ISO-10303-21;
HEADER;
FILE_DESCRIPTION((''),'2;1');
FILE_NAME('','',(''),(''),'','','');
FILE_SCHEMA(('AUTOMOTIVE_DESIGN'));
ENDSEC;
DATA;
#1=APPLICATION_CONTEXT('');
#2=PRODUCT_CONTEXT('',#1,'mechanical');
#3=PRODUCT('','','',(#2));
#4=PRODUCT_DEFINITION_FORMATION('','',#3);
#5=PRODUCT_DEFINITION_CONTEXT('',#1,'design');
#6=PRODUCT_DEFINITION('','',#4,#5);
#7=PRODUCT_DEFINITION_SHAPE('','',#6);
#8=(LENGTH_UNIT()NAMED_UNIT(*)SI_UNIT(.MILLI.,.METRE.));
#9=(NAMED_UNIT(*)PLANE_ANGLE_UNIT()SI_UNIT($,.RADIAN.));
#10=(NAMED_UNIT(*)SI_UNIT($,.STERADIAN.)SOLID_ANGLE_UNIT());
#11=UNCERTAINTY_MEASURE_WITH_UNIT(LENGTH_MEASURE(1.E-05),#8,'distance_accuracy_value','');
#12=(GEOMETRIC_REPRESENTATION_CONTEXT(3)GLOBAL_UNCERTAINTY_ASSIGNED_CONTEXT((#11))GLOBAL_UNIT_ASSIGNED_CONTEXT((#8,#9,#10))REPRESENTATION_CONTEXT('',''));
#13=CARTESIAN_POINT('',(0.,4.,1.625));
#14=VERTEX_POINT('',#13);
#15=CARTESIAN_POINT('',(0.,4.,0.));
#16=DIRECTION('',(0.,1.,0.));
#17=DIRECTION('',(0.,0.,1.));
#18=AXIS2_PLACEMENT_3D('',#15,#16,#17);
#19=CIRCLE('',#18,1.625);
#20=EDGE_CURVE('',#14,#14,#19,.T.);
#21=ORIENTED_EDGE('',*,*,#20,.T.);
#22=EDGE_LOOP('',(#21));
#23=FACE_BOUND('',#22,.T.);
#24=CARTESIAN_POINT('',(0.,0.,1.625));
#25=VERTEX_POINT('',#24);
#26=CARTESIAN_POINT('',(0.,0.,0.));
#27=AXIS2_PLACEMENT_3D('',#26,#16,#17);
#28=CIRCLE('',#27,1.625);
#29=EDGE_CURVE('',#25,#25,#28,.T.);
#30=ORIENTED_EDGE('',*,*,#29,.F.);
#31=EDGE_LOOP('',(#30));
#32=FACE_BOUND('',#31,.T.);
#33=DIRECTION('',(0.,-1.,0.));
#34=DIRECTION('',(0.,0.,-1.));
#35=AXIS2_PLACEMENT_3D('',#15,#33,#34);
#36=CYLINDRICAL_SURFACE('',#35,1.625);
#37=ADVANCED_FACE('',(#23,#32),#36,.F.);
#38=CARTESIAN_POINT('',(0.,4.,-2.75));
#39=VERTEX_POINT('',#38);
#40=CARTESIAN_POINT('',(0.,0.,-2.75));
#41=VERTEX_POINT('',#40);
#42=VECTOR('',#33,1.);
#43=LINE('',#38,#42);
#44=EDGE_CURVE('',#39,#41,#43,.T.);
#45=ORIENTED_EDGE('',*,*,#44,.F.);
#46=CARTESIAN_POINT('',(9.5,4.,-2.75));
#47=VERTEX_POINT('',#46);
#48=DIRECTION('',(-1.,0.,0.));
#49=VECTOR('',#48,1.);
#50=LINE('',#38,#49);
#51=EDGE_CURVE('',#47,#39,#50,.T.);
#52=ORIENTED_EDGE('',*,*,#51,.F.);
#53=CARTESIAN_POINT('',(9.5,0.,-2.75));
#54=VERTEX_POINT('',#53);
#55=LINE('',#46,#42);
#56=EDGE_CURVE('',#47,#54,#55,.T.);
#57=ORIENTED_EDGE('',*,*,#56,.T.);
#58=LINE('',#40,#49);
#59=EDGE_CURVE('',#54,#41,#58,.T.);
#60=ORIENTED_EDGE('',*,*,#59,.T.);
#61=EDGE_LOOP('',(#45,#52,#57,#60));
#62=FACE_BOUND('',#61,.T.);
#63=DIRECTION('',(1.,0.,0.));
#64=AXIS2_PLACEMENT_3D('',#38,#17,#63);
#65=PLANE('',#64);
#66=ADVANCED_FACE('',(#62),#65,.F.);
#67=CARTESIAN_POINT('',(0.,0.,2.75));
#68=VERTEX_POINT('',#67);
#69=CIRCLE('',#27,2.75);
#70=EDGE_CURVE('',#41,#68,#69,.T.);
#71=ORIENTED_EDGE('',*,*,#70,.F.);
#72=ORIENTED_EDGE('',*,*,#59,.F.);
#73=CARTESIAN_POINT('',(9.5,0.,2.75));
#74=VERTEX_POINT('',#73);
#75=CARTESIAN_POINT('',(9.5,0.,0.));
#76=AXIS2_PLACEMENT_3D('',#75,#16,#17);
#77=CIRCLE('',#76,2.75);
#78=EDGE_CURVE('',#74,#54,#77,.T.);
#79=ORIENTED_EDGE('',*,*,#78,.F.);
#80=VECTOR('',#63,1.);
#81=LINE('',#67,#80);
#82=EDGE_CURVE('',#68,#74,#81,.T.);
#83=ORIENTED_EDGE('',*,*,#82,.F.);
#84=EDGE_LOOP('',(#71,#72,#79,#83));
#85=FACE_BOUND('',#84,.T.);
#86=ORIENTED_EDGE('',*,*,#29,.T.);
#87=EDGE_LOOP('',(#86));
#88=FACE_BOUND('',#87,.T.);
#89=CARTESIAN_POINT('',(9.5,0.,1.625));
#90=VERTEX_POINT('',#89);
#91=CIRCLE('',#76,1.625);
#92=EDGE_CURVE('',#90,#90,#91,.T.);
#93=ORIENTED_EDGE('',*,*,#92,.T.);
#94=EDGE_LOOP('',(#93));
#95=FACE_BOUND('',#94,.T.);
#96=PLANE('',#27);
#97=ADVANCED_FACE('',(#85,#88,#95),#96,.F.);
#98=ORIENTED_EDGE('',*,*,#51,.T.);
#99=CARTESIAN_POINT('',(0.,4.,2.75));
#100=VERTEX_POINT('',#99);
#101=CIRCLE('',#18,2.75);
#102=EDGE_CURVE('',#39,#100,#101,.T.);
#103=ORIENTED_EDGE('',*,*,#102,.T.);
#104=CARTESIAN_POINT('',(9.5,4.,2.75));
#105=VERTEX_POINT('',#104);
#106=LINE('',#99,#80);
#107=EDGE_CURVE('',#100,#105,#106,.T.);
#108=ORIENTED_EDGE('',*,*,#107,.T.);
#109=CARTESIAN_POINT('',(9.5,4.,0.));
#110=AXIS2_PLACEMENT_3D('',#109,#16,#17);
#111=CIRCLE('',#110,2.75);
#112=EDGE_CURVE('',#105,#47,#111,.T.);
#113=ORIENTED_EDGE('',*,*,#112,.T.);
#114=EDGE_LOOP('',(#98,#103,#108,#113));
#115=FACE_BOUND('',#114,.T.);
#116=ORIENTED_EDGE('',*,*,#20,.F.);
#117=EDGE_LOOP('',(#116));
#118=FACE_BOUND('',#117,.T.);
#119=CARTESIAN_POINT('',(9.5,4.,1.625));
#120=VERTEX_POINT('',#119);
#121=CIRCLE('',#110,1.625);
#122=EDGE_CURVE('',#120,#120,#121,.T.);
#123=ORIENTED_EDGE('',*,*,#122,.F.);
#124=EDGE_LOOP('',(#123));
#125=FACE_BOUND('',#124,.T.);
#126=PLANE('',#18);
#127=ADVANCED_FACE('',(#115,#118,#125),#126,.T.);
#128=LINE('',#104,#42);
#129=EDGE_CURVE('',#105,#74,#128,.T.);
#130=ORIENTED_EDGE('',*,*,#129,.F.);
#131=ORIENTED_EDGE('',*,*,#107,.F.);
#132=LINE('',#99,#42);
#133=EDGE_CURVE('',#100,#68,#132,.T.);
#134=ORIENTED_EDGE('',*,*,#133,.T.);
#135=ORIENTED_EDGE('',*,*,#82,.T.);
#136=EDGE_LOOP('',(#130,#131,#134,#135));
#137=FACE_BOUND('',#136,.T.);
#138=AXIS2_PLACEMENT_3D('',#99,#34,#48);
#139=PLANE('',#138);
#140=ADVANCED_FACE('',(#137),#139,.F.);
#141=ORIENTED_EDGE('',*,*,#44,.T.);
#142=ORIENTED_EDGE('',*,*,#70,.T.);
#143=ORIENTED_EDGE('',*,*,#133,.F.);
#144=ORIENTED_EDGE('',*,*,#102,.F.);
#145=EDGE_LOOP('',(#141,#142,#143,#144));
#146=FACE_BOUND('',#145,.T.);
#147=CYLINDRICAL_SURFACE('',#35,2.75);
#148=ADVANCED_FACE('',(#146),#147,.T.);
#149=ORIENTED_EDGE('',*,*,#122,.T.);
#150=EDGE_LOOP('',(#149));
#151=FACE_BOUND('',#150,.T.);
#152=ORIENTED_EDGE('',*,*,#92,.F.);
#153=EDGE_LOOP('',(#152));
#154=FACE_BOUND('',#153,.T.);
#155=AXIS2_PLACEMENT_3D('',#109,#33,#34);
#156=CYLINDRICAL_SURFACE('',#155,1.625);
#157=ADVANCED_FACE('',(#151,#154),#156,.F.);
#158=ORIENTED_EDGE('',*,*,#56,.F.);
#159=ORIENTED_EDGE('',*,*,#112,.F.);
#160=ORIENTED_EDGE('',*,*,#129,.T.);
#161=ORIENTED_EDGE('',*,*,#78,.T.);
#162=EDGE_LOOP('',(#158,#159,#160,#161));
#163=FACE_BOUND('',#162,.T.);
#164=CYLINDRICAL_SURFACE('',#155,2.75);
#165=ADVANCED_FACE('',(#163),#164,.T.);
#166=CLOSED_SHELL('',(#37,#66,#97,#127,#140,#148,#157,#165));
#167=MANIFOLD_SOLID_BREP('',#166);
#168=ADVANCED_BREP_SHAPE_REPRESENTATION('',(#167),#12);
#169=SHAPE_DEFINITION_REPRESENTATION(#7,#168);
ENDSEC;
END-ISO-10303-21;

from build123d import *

# Parameters (mm, degrees)
SKETCH1_R           = 1.625
BOSS_EXTRUDE1_DEPTH = 4


with BuildPart() as part:
    # Sketch1 → Boss-Extrude1 (new body)
    with BuildSketch(Plane(origin=(0, 0, 0), x_dir=(1, 0, 0), z_dir=(0, 1, 0))):
        with BuildLine():
            Line((0, 2.75), (9.5, 2.75))
            ThreePointArc((9.5, 2.75), (12.25, 0), (9.5, -2.75))
            Line((9.5, -2.75), (0, -2.75))
            ThreePointArc((0, -2.75), (-2.75, 0), (0, 2.75))
        make_face()
        with Locations(Location((0, 0, 0), (0, 0, 270))):
            Circle(SKETCH1_R, mode=Mode.SUBTRACT)
        with Locations(Location((9.5, 0, 0), (0, 0, 270))):
            Circle(SKETCH1_R, mode=Mode.SUBTRACT)
    extrude(amount=BOSS_EXTRUDE1_DEPTH)


solid = part.part
